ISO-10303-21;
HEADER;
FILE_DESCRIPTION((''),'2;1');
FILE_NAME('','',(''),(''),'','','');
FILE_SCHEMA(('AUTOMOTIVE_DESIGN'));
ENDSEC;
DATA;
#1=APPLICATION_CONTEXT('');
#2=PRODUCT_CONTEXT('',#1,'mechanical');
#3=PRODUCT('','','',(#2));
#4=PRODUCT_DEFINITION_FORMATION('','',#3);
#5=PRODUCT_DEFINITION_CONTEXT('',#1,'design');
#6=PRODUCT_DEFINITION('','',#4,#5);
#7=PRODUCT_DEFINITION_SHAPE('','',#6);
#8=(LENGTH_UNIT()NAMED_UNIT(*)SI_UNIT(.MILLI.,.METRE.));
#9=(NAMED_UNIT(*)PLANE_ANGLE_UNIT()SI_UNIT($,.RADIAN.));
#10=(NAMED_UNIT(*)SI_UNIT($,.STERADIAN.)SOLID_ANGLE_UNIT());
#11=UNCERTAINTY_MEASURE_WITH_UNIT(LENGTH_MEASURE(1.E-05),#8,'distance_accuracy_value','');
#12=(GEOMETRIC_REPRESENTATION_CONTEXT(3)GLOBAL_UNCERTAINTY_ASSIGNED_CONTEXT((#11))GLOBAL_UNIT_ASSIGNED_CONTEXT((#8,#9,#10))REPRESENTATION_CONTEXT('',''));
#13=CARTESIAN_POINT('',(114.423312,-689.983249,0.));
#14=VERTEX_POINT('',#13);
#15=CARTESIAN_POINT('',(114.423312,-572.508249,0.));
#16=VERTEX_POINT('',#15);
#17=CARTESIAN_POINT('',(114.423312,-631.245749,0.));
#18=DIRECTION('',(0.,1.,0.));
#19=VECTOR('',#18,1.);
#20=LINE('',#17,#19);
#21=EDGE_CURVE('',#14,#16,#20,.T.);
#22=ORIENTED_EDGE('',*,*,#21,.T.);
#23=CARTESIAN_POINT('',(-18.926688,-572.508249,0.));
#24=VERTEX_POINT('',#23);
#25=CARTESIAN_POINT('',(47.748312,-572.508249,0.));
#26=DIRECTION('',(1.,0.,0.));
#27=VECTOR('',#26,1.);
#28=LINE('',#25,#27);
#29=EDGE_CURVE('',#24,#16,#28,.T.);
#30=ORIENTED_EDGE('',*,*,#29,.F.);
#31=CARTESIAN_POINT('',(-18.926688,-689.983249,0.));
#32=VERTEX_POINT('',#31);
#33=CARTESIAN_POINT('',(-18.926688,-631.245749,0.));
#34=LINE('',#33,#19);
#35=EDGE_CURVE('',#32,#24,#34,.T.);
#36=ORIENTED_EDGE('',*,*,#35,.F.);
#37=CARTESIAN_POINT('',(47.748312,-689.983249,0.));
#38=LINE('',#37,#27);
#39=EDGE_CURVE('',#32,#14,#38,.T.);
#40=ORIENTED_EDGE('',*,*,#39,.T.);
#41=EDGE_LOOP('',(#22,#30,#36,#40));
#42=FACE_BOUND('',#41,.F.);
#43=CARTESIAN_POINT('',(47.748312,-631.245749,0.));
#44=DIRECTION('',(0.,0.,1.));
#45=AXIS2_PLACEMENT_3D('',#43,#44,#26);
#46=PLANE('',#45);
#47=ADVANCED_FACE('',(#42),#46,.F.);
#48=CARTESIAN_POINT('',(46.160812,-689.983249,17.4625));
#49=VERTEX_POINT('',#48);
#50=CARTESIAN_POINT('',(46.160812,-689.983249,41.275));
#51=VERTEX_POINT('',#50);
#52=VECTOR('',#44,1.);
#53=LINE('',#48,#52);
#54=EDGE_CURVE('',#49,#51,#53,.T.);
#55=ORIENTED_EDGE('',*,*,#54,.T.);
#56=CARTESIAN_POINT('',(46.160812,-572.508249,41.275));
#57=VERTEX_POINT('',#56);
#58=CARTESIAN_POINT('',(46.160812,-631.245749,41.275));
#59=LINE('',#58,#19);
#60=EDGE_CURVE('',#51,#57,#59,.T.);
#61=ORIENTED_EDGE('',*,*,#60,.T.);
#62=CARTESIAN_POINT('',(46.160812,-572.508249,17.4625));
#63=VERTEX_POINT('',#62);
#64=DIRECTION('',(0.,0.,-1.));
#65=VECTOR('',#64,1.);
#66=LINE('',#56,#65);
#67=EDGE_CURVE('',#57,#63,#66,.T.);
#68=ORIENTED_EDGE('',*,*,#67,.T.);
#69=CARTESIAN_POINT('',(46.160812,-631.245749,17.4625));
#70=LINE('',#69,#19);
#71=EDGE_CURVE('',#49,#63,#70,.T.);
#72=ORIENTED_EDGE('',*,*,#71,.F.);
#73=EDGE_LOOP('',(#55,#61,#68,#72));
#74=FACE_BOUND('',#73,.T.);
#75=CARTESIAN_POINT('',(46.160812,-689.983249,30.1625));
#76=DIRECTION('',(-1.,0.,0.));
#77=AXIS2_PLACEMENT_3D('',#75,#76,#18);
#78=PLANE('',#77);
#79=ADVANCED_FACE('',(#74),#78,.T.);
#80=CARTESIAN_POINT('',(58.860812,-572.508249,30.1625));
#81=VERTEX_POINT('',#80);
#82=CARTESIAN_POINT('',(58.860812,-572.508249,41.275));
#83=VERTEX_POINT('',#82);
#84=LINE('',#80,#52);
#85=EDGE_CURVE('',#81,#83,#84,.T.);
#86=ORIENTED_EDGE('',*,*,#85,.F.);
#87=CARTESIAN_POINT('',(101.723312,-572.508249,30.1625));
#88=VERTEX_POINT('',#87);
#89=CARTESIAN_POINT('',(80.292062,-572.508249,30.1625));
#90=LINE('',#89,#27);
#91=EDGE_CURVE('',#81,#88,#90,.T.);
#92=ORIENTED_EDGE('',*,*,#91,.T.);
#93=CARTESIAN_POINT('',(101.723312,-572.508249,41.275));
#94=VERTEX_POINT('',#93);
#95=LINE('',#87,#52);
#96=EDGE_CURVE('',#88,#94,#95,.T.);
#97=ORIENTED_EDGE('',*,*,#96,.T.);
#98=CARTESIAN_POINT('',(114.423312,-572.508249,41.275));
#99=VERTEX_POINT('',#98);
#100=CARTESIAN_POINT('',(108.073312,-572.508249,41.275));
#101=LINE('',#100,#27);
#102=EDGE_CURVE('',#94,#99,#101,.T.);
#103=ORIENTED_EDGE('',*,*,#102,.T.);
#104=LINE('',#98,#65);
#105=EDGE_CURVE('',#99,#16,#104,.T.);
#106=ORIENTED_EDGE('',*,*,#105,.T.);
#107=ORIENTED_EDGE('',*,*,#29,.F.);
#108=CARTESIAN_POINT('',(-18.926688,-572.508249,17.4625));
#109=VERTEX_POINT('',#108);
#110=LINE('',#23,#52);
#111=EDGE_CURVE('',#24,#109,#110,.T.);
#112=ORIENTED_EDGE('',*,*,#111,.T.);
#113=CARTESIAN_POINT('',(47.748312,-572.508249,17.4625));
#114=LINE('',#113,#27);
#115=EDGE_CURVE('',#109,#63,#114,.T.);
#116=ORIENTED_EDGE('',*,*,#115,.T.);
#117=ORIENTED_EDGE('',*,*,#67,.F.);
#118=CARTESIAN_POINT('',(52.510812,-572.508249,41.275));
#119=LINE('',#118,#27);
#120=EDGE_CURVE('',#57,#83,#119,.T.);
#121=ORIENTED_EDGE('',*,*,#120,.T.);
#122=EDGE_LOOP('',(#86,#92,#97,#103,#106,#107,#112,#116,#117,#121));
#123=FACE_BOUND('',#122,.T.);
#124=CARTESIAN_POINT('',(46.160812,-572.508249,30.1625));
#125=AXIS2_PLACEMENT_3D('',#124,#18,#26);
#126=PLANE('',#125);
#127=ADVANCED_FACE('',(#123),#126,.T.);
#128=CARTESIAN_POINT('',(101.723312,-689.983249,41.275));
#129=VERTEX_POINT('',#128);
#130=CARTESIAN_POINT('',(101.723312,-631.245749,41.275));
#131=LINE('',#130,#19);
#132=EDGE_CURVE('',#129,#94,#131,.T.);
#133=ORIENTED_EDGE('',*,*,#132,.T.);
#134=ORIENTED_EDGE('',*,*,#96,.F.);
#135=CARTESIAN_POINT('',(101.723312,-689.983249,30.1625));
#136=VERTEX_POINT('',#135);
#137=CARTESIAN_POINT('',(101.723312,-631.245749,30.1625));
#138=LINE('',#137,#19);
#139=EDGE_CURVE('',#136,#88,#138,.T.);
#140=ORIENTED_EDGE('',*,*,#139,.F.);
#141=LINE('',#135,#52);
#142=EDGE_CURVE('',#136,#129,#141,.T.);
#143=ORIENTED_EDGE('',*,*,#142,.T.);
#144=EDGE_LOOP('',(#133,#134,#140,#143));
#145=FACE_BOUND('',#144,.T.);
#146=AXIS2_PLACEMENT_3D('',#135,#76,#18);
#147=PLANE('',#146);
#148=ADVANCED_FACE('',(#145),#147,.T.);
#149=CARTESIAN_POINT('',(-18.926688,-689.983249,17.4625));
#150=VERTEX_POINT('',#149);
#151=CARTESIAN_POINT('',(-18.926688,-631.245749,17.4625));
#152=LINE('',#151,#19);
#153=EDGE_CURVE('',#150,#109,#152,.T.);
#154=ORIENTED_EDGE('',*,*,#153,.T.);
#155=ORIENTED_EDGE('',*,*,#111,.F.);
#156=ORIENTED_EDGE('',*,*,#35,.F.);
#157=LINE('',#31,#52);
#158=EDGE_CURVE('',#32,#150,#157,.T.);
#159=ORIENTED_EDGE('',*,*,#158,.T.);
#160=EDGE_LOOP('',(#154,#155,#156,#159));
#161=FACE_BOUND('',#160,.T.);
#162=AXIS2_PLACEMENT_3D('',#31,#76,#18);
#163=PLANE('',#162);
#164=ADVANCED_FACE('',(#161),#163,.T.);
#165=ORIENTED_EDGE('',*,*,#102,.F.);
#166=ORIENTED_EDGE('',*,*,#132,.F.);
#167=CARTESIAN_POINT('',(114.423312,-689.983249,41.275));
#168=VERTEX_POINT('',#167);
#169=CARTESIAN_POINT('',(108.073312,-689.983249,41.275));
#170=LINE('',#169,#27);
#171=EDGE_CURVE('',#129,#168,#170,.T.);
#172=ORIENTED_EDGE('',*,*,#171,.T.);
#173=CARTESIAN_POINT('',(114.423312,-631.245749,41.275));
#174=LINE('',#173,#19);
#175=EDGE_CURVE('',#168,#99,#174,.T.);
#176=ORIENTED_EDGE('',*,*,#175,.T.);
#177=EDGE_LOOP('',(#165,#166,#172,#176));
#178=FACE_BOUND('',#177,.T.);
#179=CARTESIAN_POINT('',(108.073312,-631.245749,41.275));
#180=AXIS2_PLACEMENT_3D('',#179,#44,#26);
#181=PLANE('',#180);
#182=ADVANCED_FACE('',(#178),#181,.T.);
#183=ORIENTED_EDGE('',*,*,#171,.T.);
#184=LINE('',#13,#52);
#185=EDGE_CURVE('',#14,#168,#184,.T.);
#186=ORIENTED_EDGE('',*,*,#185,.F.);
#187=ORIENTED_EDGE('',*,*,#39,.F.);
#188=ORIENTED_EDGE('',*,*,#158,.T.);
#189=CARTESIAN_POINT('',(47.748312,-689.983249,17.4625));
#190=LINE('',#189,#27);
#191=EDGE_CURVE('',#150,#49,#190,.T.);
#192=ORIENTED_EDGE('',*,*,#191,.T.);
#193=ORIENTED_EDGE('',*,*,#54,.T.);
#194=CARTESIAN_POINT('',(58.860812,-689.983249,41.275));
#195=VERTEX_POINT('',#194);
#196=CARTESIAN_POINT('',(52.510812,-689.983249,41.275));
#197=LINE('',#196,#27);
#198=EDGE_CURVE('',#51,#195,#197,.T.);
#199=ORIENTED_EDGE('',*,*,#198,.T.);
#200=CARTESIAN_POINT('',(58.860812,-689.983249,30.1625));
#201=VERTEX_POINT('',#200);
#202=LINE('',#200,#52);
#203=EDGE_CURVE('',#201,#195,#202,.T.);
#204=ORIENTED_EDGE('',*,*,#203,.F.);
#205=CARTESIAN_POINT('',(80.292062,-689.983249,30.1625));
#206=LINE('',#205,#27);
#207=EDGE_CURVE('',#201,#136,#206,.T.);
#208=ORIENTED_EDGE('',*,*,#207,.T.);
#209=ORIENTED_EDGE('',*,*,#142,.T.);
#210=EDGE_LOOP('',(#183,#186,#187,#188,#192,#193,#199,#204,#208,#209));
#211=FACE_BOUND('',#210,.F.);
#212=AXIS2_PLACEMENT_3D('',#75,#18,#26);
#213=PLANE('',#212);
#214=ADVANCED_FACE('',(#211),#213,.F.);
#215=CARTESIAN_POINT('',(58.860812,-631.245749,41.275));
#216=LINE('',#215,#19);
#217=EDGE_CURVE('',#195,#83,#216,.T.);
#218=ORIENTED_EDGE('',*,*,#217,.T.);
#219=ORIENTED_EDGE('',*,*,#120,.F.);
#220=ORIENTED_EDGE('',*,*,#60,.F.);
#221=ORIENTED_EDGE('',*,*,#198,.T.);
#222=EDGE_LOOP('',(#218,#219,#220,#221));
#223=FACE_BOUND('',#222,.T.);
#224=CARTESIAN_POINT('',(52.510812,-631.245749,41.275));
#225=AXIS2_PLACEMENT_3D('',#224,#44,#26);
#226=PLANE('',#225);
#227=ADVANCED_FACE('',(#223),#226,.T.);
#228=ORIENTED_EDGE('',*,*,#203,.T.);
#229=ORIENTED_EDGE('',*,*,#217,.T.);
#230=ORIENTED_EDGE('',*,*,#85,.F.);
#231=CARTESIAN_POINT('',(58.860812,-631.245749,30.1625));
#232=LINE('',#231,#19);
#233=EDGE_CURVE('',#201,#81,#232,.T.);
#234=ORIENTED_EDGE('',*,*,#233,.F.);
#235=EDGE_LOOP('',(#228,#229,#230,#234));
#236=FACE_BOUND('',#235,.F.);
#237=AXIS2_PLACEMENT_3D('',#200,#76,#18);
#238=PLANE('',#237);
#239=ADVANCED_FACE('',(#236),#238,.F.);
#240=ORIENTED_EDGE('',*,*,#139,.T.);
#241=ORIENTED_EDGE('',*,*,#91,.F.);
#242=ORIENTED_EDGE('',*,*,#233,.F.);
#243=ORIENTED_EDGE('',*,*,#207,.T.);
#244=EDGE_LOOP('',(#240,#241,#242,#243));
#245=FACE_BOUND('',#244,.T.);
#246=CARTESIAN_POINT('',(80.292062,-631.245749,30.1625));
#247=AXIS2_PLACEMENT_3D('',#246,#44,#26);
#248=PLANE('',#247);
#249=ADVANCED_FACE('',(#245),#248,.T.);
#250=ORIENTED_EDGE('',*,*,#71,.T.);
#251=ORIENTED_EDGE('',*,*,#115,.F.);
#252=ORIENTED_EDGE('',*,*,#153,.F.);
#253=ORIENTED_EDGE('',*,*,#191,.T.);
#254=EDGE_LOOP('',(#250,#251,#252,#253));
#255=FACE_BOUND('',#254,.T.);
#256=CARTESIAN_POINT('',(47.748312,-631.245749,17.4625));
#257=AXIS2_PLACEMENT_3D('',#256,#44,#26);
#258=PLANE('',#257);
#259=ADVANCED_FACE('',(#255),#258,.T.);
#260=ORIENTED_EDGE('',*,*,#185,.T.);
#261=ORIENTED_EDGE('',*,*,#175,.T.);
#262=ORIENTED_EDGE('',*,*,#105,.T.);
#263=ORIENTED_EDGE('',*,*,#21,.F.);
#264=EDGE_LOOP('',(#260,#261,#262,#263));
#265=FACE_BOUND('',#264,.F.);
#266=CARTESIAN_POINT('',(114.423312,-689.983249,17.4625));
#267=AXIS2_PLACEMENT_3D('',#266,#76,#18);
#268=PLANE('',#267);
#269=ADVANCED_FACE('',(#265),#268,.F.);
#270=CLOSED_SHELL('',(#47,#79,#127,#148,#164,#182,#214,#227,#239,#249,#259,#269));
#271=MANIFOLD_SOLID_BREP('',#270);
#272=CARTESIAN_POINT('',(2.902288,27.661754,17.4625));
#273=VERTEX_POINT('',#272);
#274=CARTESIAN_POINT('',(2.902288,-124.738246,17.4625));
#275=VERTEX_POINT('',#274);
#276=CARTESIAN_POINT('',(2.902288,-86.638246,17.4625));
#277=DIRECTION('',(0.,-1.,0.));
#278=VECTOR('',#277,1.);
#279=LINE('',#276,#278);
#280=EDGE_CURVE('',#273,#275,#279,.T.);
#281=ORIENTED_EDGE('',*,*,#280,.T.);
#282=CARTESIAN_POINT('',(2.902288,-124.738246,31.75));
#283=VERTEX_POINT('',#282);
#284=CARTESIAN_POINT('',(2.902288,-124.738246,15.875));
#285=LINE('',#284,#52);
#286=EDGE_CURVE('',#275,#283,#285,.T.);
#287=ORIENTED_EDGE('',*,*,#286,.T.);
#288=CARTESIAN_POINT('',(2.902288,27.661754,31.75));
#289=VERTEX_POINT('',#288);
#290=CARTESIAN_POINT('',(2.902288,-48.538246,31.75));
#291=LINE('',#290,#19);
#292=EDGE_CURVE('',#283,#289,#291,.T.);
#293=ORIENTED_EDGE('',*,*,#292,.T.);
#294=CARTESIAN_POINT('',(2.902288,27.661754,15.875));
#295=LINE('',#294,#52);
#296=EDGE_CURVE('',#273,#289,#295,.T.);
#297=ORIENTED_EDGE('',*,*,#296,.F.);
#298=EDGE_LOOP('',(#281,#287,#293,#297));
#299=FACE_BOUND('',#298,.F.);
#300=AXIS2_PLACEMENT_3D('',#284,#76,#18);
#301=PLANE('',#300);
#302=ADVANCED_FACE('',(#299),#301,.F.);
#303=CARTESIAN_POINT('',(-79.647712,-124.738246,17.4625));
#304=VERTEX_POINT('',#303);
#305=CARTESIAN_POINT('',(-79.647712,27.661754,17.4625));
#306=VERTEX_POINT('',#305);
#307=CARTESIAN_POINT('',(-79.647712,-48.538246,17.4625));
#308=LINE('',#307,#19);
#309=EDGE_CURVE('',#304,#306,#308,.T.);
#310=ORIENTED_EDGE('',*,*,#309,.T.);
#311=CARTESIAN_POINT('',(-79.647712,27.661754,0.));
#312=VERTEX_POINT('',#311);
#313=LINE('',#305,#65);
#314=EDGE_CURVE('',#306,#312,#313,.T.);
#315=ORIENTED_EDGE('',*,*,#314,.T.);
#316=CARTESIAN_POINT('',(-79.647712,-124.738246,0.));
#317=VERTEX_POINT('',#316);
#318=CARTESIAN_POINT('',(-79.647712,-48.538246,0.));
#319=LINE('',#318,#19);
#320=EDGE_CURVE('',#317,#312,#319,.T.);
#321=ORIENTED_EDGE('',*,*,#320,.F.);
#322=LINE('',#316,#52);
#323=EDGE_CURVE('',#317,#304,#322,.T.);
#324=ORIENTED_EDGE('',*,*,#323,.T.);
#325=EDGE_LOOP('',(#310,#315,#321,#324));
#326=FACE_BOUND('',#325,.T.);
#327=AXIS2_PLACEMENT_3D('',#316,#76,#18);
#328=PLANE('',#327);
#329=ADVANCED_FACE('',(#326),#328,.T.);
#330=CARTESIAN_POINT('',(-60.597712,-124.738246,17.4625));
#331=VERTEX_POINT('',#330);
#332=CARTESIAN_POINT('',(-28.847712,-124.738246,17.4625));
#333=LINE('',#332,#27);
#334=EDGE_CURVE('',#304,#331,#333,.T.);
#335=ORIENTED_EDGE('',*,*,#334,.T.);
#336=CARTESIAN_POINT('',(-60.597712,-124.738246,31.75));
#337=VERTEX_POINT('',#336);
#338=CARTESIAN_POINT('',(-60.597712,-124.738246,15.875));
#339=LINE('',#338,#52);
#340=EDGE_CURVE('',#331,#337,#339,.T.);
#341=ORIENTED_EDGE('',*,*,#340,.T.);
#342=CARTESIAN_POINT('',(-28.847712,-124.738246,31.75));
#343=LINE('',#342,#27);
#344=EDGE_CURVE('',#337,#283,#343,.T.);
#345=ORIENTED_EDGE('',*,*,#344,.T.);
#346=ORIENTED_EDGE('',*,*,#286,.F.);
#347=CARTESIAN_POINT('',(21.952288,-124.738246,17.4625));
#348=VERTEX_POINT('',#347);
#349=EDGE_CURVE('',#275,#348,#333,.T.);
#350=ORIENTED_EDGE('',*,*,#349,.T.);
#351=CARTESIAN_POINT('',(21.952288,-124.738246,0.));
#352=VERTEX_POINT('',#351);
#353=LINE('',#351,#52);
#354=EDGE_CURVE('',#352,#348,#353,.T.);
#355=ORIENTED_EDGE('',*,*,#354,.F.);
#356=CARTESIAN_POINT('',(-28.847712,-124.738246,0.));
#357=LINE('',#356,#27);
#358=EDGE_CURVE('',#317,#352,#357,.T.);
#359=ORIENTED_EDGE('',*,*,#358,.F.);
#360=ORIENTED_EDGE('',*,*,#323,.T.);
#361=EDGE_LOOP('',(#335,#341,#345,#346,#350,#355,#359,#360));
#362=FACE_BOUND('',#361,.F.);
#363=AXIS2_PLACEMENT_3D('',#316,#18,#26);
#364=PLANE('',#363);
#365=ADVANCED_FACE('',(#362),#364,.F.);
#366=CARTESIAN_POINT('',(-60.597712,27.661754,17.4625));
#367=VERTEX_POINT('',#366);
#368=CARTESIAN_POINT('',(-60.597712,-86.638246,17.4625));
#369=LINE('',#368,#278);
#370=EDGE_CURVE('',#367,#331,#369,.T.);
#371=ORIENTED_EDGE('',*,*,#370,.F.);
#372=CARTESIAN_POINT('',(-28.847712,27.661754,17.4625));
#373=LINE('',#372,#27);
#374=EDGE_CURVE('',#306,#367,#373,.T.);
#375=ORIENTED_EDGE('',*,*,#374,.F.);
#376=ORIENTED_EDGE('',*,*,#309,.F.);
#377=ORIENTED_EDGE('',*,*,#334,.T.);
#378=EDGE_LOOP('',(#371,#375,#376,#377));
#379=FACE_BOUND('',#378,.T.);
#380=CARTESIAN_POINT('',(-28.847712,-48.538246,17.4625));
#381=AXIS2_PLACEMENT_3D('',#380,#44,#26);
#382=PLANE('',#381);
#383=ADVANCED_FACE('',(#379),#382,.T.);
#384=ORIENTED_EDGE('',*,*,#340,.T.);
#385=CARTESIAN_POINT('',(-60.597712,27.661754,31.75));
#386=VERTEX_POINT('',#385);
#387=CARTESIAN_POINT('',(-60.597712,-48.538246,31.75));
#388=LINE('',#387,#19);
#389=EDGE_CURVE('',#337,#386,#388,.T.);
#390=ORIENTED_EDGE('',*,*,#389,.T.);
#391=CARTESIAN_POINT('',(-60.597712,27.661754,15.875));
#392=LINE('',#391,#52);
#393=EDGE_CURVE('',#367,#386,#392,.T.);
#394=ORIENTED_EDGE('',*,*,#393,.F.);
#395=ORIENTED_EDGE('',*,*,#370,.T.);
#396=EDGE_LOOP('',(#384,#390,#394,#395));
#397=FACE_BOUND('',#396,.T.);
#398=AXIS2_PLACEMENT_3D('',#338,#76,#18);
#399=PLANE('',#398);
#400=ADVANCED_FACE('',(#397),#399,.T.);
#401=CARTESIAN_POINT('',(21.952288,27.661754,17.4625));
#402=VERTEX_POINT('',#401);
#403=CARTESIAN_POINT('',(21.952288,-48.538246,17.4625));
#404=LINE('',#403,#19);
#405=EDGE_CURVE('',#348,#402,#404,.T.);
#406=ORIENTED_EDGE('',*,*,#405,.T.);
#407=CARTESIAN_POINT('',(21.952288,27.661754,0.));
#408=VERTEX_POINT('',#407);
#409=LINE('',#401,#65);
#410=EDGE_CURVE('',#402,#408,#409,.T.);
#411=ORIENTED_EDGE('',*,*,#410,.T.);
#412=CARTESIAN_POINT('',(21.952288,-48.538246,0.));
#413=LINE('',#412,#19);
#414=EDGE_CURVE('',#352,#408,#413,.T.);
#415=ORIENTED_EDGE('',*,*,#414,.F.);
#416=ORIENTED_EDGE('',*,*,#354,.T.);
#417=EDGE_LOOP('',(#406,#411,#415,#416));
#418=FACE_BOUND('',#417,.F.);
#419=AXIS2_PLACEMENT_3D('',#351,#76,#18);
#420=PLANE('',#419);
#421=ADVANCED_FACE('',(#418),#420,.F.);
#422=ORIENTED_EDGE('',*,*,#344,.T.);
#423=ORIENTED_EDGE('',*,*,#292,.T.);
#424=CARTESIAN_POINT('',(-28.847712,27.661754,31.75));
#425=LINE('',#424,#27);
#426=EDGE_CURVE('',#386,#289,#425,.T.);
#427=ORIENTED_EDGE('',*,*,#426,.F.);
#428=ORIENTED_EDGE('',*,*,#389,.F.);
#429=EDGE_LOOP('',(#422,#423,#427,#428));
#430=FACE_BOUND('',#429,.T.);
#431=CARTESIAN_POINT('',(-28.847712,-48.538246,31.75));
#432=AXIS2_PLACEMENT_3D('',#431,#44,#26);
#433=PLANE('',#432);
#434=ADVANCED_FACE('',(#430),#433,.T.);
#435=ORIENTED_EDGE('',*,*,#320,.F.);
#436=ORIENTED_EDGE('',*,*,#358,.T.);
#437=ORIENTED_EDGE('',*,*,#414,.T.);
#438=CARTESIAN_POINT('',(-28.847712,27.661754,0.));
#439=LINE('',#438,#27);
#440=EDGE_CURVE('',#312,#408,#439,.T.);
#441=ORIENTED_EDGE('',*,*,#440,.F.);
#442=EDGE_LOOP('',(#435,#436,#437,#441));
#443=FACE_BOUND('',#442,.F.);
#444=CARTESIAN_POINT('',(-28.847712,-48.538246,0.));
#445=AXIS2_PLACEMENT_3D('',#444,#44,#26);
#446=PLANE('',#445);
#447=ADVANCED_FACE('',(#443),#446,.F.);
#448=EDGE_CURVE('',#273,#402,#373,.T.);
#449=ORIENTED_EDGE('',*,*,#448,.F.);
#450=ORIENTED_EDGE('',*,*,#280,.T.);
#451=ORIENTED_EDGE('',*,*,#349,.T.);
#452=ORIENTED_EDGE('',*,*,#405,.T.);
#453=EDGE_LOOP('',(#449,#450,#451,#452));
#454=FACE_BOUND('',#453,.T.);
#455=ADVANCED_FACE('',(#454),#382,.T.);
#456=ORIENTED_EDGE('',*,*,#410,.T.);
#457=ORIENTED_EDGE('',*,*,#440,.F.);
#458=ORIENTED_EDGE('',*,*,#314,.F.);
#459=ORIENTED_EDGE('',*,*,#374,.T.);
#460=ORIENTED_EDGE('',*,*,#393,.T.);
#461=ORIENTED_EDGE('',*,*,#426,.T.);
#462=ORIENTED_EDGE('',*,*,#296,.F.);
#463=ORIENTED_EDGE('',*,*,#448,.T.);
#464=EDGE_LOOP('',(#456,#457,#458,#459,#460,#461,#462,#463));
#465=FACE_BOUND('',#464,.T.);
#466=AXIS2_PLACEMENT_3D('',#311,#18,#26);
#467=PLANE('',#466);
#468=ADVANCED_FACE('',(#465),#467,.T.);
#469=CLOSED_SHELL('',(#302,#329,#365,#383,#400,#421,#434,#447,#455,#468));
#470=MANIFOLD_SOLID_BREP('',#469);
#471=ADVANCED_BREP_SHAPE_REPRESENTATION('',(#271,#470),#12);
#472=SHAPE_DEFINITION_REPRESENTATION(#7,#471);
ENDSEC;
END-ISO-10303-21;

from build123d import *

# Parameters (mm, degrees)
F0_W     = 101.6
F0_H     = 152.4
F1_DEPTH = 15.875
F3_DEPTH = 17.4625
F0_W_2   = 133.35
F0_H_2   = 117.475
F4_W     = 68.2625
F4_H     = 117.475
F5_DEPTH = 12.7
F6_W     = 12.7
F6_H     = 117.475
F7_DEPTH = 11.1125
F2_W     = 63.5
F2_H     = 152.4
F8_DEPTH = 15.875


with BuildPart() as f1:
    # F0 (on Top) → F1 (new body)
    with BuildSketch(Plane.XY):
        with Locations((-28.8477124095, -48.5382462025)):
            Rectangle(F0_W, F0_H)
    extrude(amount=F1_DEPTH)

    # F0 (on Top) → F3 (join)
    with BuildSketch(Plane.XY):
        with Locations((-28.8477124095, -48.5382462025)):
            Rectangle(F0_W, F0_H)
    extrude(amount=F3_DEPTH)

    # F2 (on face) → F8 (join)
    with BuildSketch(Plane.XY.offset(15.875)):
        with Locations((-28.8477124095, -48.5382462025)):
            Rectangle(F2_W, F2_H)
    extrude(amount=F8_DEPTH)


with BuildPart() as f3:
    # F0 (on Top) → F3, piece 2 (new body)
    with BuildSketch(Plane.XY):
        with Locations((47.7483122468, -631.2457487106)):
            Rectangle(F0_W_2, F0_H_2)
    extrude(amount=F3_DEPTH)

    # F4 (on face) → F5 (join)
    with BuildSketch(Plane.XY.offset(17.4625)):
        with Locations((80.2920622468, -631.2457487106)):
            Rectangle(F4_W, F4_H)
    extrude(amount=F5_DEPTH)

    # F6 (on face) → F7 (join)
    with BuildSketch(Plane.XY.offset(30.1625)):
        with Locations((52.5108122468, -631.2457487106)):
            Rectangle(F6_W, F6_H)
        with Locations((108.0733122468, -631.2457487106)):
            Rectangle(F6_W, F6_H)
    extrude(amount=F7_DEPTH)


solid = Compound([f1.part, f3.part])
